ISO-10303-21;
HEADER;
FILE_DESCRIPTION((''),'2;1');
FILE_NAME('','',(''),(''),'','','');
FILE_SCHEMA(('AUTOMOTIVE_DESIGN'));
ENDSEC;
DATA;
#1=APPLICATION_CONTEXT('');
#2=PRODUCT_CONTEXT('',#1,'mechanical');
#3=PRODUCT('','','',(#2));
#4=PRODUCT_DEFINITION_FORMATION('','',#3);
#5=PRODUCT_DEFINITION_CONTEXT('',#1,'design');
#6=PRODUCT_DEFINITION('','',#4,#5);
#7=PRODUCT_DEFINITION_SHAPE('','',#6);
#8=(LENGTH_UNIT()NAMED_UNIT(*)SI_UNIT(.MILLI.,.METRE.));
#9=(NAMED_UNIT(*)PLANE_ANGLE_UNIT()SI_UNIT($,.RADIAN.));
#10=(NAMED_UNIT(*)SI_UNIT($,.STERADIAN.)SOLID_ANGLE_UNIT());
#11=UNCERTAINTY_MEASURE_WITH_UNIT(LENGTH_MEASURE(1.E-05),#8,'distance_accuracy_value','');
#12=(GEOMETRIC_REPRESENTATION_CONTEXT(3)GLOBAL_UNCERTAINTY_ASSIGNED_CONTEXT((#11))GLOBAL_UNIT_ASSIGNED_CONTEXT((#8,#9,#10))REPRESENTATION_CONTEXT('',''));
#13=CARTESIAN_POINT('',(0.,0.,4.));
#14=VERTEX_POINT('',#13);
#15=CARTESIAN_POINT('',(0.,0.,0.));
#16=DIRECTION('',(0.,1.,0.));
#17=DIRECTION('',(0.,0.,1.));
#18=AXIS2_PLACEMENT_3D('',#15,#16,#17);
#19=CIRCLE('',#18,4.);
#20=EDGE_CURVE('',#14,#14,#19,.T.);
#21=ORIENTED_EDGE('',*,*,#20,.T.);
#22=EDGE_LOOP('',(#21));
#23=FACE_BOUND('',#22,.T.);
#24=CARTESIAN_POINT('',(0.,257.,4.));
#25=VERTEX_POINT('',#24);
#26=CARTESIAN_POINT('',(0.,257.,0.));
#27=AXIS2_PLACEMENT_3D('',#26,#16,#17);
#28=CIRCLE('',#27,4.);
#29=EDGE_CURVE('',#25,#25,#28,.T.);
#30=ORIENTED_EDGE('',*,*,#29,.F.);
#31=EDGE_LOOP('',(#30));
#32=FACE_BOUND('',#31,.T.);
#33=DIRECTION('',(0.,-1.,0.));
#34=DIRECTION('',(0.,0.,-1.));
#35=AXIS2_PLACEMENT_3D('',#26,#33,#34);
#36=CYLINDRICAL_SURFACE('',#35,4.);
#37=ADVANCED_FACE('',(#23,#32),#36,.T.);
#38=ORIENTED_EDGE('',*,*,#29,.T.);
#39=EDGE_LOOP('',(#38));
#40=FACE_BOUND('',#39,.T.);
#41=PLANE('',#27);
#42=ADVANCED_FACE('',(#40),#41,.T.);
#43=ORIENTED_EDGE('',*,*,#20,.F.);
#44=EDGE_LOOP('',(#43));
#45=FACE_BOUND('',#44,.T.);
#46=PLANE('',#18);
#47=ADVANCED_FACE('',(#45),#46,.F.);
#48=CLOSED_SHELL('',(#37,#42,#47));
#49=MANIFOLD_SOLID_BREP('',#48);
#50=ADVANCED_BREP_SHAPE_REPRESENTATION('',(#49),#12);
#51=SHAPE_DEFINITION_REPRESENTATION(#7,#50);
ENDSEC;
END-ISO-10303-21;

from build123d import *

# Parameters (mm, degrees)
SKETCH_1_R      = 4
EXTRUDE_1_DEPTH = 257


with BuildPart() as part:
    # 草图1 → 凸台-拉伸1 (new body)
    with BuildSketch(Plane(origin=(0, 0, 0), x_dir=(1, 0, 0), z_dir=(0, 1, 0))):
        with Locations(Location((0, 0, 0), (0, 0, 270))):
            Circle(SKETCH_1_R)
    extrude(amount=EXTRUDE_1_DEPTH)


solid = part.part
